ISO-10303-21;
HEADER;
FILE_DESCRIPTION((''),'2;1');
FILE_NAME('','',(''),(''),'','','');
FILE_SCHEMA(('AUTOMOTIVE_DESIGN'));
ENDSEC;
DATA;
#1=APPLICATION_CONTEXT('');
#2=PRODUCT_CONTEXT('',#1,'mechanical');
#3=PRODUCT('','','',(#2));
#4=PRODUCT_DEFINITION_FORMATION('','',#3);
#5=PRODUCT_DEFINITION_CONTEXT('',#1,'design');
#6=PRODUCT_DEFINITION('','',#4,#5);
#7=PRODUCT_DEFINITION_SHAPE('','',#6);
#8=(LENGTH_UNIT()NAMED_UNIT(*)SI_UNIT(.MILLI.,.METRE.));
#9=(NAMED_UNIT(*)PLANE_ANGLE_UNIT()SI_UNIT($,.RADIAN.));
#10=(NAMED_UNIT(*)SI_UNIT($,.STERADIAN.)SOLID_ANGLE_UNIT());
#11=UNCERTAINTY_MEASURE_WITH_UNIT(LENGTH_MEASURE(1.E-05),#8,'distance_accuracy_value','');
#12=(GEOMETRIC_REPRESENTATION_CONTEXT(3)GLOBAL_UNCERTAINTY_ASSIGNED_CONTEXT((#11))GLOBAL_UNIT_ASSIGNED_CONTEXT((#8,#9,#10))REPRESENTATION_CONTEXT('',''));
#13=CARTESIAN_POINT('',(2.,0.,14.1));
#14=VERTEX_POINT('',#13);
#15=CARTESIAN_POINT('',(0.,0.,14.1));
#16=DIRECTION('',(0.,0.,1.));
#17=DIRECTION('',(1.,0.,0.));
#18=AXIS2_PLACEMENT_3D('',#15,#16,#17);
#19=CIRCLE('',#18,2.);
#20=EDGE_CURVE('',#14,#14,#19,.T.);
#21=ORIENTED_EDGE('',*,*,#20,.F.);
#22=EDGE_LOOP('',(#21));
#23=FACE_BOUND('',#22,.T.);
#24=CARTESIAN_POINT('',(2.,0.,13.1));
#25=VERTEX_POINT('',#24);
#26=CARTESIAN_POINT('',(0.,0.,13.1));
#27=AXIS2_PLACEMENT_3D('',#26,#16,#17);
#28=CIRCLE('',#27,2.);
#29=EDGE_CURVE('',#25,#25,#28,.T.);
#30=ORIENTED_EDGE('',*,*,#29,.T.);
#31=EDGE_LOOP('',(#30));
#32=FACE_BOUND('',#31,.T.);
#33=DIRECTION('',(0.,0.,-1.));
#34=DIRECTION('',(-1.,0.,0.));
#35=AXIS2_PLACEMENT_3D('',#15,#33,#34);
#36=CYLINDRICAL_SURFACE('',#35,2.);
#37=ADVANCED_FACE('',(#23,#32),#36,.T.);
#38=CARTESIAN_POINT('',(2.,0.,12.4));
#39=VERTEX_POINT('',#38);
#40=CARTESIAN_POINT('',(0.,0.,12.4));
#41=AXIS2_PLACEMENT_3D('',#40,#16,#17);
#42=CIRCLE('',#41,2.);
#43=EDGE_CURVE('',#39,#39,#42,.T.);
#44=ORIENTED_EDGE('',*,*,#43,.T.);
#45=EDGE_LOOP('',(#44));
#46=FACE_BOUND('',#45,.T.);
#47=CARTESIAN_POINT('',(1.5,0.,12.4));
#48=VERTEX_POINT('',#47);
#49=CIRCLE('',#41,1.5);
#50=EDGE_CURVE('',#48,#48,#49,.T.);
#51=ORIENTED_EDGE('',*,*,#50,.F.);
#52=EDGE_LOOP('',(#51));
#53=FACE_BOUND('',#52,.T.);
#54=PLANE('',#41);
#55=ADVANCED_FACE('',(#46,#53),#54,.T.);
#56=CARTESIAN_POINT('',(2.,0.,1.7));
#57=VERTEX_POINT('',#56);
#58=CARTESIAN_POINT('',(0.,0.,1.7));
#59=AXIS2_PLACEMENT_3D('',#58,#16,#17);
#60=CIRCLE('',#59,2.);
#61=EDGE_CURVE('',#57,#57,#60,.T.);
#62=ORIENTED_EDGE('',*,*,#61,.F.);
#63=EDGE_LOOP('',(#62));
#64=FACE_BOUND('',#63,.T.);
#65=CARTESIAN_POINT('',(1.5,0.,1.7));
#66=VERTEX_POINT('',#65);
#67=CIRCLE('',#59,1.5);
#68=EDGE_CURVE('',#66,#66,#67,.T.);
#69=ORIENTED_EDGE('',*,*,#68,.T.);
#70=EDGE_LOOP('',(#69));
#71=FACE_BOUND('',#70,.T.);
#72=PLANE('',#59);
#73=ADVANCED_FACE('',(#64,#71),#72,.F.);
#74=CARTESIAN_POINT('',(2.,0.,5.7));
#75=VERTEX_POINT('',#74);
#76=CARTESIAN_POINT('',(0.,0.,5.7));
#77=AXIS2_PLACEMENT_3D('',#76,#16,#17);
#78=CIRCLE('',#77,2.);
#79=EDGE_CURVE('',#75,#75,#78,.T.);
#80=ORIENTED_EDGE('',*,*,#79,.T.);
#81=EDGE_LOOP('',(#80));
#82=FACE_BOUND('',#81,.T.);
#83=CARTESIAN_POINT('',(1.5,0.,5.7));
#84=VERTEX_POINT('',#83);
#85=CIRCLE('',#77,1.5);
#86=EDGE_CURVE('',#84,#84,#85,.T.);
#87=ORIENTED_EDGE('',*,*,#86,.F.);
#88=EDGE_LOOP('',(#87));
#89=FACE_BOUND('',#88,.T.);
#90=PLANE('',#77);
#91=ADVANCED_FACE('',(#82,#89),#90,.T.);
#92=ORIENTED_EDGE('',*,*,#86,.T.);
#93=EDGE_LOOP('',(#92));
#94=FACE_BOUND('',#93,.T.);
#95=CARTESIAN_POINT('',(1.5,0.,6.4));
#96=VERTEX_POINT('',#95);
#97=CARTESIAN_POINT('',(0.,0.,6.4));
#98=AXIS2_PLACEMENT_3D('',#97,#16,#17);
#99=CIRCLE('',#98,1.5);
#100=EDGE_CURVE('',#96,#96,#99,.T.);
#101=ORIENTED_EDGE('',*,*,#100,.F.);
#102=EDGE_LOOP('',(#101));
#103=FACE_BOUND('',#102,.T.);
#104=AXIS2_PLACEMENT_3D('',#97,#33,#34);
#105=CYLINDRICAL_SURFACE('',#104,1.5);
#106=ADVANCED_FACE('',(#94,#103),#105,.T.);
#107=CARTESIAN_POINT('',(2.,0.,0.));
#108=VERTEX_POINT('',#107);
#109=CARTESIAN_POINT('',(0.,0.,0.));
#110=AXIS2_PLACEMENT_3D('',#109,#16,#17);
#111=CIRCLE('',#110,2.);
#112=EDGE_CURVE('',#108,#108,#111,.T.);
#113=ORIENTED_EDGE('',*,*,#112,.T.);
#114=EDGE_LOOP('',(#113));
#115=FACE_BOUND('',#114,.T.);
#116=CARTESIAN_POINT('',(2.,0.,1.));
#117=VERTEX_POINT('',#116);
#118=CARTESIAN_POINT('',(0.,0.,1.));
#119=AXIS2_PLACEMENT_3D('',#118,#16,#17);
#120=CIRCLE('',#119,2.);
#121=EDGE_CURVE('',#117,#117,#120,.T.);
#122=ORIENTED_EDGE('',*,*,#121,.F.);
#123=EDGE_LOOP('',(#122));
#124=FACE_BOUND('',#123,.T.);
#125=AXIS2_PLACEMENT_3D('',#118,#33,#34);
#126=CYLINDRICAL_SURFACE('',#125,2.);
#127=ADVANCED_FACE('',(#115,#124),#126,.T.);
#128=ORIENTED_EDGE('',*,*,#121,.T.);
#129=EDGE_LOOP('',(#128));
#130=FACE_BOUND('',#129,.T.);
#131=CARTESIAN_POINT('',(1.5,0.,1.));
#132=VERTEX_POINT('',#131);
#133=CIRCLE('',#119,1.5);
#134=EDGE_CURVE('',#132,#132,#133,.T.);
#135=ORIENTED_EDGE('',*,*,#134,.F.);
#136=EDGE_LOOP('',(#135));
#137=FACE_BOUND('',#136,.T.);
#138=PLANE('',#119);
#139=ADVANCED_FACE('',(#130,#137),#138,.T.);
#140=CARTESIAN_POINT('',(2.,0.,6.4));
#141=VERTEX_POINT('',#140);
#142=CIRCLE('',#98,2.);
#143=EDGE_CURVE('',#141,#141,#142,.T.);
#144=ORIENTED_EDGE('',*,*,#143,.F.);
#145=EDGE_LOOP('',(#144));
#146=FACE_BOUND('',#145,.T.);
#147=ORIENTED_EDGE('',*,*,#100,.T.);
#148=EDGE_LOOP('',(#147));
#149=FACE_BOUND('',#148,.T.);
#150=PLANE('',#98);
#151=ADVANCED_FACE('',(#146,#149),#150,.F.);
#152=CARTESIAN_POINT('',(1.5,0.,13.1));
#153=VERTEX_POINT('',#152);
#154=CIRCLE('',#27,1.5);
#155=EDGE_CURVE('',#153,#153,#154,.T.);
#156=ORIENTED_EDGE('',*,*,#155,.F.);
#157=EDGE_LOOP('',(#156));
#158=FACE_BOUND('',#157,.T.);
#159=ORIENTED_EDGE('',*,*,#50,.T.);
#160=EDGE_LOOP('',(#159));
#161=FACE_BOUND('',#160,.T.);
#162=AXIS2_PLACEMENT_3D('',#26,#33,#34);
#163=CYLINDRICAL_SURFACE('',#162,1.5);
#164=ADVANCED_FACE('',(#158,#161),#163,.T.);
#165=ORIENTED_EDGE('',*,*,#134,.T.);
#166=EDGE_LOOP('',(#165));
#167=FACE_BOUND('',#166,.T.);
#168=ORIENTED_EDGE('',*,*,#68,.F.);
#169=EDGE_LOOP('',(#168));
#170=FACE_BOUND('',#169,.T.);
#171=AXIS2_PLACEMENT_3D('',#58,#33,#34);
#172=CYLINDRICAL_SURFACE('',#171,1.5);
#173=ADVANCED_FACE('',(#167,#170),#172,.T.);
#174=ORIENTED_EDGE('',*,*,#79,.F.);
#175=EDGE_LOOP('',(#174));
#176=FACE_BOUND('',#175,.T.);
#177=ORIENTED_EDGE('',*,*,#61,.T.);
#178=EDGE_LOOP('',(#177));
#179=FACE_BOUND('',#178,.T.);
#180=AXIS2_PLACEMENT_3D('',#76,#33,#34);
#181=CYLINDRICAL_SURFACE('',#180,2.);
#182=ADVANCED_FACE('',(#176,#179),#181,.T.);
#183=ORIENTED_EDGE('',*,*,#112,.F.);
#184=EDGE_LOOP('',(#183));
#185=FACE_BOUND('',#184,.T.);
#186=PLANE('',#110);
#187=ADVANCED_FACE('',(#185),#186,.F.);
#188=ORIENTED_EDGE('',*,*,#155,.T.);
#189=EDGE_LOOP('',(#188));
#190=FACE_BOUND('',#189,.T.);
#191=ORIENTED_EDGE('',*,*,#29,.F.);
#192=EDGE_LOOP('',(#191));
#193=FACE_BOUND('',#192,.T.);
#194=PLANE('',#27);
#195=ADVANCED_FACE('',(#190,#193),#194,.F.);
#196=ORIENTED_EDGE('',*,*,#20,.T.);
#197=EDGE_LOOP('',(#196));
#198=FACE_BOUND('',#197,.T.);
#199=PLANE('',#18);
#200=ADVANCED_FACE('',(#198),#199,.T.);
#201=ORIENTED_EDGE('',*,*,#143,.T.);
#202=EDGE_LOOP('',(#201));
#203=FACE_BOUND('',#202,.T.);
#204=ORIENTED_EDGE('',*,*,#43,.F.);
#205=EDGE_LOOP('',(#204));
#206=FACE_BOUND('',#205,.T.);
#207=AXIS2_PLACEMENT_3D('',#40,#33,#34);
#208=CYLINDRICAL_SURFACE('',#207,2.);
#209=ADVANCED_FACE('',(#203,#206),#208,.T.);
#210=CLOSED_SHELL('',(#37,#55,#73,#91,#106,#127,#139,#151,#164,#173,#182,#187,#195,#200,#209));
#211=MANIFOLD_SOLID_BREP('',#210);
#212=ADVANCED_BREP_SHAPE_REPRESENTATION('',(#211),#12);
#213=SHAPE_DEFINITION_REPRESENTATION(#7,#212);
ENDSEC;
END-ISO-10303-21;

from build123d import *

# Parameters (mm, degrees)
ESBO_O1_R                = 2
RESSALTO_EXTRUS_O1_DEPTH = 1
ESBO_O2_R                = 1.5
RESSALTO_EXTRUS_O2_DEPTH = 0.7
ESBO_O3_R                = 2
RESSALTO_EXTRUS_O3_DEPTH = 4
ESBO_O4_R                = 1.5
RESSALTO_EXTRUS_O4_DEPTH = 0.7
ESBO_O5_R                = 2
RESSALTO_EXTRUS_O5_DEPTH = 6
ESBO_O6_R                = 1.5
RESSALTO_EXTRUS_O6_DEPTH = 0.7
ESBO_O7_R                = 2
RESSALTO_EXTRUS_O7_DEPTH = 1


with BuildPart() as part:
    # Esboço1 → Ressalto-extrusão1 (new body)
    with BuildSketch(Plane.XY):
        Circle(ESBO_O1_R)
    extrude(amount=RESSALTO_EXTRUS_O1_DEPTH)

    # Esboço2 → Ressalto-extrusão2 (add)
    with BuildSketch(Plane.XY.offset(1)):
        Circle(ESBO_O2_R)
    extrude(amount=RESSALTO_EXTRUS_O2_DEPTH)

    # Esboço3 → Ressalto-extrusão3 (add)
    with BuildSketch(Plane.XY.offset(1.7)):
        Circle(ESBO_O3_R)
    extrude(amount=RESSALTO_EXTRUS_O3_DEPTH)

    # Esboço4 → Ressalto-extrusão4 (add)
    with BuildSketch(Plane.XY.offset(5.7)):
        Circle(ESBO_O4_R)
    extrude(amount=RESSALTO_EXTRUS_O4_DEPTH)

    # Esboço5 → Ressalto-extrusão5 (add)
    with BuildSketch(Plane.XY.offset(6.4)):
        Circle(ESBO_O5_R)
    extrude(amount=RESSALTO_EXTRUS_O5_DEPTH)

    # Esboço6 → Ressalto-extrusão6 (add)
    with BuildSketch(Plane.XY.offset(12.4)):
        Circle(ESBO_O6_R)
    extrude(amount=RESSALTO_EXTRUS_O6_DEPTH)

    # Esboço7 → Ressalto-extrusão7 (add)
    with BuildSketch(Plane.XY.offset(13.1)):
        Circle(ESBO_O7_R)
    extrude(amount=RESSALTO_EXTRUS_O7_DEPTH)


solid = part.part
